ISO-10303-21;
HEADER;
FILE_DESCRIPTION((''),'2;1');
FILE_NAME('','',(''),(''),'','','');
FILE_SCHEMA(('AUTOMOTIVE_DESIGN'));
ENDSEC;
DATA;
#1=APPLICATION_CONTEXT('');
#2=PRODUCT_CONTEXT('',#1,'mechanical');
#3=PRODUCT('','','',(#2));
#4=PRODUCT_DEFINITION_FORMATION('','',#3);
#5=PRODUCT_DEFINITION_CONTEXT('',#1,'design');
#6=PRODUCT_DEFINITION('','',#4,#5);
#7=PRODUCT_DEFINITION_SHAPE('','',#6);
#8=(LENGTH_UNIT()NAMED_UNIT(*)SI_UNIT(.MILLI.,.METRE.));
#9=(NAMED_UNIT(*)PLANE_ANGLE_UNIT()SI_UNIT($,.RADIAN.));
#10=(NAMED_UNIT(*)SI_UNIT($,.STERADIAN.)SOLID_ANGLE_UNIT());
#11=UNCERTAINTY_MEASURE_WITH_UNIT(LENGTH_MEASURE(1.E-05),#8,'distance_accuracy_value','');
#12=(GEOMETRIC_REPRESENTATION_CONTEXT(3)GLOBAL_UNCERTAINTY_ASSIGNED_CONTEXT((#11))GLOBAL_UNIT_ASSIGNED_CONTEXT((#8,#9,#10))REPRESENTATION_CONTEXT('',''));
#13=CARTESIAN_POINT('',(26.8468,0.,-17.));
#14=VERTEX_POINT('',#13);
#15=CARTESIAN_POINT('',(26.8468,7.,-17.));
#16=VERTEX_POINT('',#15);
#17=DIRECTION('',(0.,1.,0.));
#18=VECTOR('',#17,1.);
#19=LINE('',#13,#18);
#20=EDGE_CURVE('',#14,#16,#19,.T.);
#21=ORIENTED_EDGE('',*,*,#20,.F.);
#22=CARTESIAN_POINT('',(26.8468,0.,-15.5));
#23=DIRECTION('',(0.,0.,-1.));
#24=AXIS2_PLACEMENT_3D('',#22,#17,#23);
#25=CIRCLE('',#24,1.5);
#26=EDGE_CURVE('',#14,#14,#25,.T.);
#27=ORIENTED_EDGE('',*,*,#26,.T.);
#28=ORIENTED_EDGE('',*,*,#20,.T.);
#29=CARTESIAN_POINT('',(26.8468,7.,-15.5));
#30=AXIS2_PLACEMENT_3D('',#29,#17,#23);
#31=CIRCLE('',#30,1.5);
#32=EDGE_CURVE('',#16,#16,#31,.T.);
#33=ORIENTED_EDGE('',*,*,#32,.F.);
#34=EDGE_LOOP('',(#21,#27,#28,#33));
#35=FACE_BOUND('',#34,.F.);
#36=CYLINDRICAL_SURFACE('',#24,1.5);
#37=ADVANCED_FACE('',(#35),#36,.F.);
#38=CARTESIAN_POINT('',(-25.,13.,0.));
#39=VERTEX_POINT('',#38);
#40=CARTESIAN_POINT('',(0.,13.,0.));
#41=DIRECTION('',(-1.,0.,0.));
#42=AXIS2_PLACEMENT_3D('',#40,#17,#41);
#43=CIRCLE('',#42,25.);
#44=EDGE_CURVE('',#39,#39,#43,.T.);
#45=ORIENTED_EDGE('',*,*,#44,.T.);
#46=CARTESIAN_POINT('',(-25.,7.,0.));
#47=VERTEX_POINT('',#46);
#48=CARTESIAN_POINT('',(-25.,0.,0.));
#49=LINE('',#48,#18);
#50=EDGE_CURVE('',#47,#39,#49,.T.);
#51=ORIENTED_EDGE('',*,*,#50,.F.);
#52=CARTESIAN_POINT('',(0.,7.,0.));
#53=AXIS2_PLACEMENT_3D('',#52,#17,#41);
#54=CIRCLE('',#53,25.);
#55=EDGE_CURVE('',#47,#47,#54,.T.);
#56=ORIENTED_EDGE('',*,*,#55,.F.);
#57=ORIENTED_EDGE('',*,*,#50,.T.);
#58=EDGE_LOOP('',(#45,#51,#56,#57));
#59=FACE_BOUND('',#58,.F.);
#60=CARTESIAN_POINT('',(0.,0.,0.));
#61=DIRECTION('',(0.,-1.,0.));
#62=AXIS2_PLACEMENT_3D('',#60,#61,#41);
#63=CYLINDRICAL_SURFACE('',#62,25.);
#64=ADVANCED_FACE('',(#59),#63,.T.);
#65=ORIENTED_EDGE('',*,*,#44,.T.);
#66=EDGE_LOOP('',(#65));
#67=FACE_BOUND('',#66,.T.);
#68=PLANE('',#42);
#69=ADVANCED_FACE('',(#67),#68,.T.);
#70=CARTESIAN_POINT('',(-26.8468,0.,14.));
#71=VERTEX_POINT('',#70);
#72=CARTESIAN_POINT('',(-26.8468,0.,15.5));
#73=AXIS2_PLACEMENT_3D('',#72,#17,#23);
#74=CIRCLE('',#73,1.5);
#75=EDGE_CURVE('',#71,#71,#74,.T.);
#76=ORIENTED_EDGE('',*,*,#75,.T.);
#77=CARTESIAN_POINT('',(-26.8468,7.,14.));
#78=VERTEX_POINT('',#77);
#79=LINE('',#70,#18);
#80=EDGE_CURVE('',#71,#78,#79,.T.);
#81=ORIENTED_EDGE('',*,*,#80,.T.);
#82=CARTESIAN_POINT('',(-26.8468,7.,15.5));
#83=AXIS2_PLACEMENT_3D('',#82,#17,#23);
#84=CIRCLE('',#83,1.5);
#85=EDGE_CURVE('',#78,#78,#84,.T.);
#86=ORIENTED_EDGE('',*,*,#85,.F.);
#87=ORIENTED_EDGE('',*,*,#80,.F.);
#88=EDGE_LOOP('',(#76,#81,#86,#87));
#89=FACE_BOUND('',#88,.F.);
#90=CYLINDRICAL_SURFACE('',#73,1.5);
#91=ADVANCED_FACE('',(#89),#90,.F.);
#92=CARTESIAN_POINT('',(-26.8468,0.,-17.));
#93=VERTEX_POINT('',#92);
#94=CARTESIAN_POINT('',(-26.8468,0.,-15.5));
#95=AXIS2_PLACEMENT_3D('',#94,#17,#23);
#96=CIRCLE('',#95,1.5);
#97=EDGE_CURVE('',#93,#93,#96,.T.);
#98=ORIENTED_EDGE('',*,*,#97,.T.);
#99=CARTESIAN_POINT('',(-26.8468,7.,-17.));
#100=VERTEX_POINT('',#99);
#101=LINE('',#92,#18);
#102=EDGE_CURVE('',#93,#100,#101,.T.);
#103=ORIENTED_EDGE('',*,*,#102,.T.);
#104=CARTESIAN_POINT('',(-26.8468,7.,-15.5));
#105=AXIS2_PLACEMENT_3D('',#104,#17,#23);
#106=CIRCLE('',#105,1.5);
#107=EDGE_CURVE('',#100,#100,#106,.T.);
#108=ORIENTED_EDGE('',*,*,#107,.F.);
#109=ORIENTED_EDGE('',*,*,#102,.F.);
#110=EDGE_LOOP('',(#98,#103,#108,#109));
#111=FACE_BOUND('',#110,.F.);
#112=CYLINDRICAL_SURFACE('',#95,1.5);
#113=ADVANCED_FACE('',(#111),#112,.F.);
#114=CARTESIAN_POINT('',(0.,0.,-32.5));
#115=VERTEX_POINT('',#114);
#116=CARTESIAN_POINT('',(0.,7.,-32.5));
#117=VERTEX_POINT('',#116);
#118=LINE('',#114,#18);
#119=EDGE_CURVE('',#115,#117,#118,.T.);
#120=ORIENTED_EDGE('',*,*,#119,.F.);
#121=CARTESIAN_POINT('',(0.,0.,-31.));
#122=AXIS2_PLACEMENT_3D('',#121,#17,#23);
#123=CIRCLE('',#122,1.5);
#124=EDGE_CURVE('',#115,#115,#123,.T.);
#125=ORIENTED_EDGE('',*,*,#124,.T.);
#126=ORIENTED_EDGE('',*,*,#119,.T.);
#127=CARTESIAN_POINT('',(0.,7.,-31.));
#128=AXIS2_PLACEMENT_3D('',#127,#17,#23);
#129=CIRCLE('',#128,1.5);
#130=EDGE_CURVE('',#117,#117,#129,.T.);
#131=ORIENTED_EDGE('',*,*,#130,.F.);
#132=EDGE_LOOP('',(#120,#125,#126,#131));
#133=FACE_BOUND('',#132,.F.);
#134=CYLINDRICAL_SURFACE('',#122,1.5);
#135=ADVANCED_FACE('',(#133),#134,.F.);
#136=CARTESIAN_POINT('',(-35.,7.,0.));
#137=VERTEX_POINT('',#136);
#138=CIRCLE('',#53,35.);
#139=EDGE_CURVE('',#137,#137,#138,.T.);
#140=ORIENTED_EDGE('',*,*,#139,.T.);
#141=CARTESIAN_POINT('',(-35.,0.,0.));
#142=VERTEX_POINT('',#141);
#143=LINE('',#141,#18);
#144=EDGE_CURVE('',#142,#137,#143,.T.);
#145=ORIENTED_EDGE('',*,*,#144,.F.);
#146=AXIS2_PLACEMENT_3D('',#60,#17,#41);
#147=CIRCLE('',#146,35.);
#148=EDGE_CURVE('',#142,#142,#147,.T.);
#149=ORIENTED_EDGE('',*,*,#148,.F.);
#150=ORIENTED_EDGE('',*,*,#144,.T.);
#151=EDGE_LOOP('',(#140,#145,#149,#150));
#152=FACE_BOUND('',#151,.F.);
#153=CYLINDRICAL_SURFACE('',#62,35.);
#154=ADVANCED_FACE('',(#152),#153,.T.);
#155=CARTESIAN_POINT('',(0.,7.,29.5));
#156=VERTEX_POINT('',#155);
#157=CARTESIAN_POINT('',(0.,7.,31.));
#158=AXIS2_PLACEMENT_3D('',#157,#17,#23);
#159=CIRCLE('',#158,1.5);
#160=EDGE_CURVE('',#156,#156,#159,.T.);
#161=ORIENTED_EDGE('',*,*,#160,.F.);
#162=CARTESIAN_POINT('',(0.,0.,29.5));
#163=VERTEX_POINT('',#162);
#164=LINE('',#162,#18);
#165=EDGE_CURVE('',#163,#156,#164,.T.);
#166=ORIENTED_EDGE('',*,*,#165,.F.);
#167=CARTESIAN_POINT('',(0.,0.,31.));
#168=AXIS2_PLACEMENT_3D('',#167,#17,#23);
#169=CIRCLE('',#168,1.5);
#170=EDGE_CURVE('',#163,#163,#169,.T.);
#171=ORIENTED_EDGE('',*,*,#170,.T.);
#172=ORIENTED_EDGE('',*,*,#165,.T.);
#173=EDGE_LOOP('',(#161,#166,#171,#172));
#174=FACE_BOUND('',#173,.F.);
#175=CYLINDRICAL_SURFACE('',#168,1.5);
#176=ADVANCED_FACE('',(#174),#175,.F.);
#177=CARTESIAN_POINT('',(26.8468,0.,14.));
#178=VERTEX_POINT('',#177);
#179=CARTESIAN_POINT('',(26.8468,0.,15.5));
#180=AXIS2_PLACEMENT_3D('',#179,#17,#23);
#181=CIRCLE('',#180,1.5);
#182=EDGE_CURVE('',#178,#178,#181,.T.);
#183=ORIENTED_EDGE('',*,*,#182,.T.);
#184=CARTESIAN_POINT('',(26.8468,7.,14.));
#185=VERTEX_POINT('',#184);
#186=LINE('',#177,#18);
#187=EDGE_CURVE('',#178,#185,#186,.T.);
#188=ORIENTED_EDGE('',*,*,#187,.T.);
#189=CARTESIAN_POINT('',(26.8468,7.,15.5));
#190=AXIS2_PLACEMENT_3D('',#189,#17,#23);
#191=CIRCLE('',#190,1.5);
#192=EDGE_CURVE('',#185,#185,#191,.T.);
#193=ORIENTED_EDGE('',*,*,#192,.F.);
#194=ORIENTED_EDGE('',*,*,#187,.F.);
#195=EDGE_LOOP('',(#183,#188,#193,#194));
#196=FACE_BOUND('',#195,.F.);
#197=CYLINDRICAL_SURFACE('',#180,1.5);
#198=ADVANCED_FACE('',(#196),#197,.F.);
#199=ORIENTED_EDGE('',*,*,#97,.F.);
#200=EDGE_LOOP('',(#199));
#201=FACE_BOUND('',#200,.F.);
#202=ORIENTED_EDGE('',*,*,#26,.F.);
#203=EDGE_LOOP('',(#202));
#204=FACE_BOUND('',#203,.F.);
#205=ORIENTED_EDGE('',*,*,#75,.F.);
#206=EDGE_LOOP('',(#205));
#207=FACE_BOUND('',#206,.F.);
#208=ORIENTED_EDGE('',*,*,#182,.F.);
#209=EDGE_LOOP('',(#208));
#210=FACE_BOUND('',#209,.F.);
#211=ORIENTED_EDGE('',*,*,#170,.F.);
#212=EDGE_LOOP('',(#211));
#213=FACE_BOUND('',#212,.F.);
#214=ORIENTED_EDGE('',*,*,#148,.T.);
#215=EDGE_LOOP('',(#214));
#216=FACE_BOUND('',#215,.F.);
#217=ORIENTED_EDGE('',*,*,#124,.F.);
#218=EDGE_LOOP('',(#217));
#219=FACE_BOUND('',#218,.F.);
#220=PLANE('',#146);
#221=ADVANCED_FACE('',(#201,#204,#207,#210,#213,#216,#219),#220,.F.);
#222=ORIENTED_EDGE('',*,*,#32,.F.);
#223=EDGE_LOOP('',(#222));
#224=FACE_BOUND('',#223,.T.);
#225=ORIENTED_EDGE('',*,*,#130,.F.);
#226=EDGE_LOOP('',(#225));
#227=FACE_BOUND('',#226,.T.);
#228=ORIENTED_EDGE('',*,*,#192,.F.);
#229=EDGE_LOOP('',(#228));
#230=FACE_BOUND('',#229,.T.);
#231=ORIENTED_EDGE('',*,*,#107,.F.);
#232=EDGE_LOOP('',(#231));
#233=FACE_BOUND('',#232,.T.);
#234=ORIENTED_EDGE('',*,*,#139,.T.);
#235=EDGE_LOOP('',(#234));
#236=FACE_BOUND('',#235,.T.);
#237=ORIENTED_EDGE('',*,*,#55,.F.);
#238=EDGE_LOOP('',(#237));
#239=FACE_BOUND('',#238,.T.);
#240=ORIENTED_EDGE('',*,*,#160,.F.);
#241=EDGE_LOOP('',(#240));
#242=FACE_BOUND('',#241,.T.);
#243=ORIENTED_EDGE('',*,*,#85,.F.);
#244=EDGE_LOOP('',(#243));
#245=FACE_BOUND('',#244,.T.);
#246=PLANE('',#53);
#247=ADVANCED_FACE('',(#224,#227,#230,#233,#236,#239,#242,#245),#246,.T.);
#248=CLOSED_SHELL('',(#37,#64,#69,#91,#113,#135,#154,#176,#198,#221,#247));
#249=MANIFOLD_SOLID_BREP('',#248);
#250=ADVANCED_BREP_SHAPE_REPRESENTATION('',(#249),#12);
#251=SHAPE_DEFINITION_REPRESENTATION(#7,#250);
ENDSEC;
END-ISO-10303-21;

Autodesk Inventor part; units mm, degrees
ref_plane "YZ Plane" through (0, 0, 0) normal (1, 0, 0) x (0, 1, 0)
ref_plane "XZ Plane" through (0, 0, 0) normal (0, 1, 0) x (-1, 0, 0)
ref_plane "XY Plane" through (0, 0, 0) normal (0, 0, 1) x (1, 0, 0)
sketch "Sketch1" plane through (0, 0, 0) normal (0, 1, 0) x (-1, 0, 0)
  circle A0 centre (0, 0) radius 35
  circle A1 centre (0, 0) radius 25
  dimension "d1" = 70
  dimension "d2" = 50
sketch "Sketch2" plane through (0, 0, 0) normal (0, 1, 0) x (-1, 0, 0)
  circle A0 centre (0, 0) radius 25
  circle A1 centre (0, 0) radius 35
  dimension "d3" = 50
  dimension "d4" = 70
extrude "Extrusion1" add sketch "Sketch1" along normal blind 7
extrude "Extrusion2" add sketch "Sketch2" along normal blind 13 contours A0
sketch "Sketch3" plane through (0, 0, 0) normal (0, -1, 0) x (1, 0, 0)
  line L0 (0, 0) -> (0, -35)
  circle A0 centre (0, 0) radius 35 projected
  line L1 (0, 35) -> (0, 0)
  line L2 (30.3109, -17.5) -> (0, -35)
  line L3 (0, -35) -> (-30.3109, -17.5)
  line L4 (-30.3109, -17.5) -> (-30.3109, 17.5)
  line L5 (-30.3109, 17.5) -> (0, 35)
  line L6 (0, 35) -> (30.3109, 17.5)
  line L7 (30.3109, 17.5) -> (30.3109, -17.5)
  line L8 (0, 0) -> (30.3109, 17.5)
  line L9 (0, 0) -> (0, 35)
  line L10 (0, 0) -> (-30.3109, 17.5)
  line L11 (0, 0) -> (-30.3109, -17.5)
  line L12 (0, 0) -> (0, -35)
  line L13 (0, 0) -> (30.3109, -17.5)
  line L14 (30.3109, 17.5) -> (26.8468, 15.5)
  line L15 (26.8468, 15.5) -> (26.8468, -15.5)
  line L16 (0, -35) -> (0, -31)
  line L17 (-30.3109, -17.5) -> (-26.8468, -15.5)
  line L18 (0, 35) -> (0, 31)
  line L19 (-30.3109, 17.5) -> (-26.8468, 15.5)
  dimension "d9" = 4
  dimension "d10" = 4
  dimension "d11" = 4
  dimension "d12" = 4
  dimension "d13" = 4
hole "Hole1" at (26.8468, 0, 15.5) at (26.8468, 0, -15.5) at (0, 0, -31) at (-26.8468, 0, -15.5) at (-26.8468, 0, 15.5) at (0, 0, 31) direction (0, 1, 0) diameter 3 end through all
properties part number "bat_endcap"
